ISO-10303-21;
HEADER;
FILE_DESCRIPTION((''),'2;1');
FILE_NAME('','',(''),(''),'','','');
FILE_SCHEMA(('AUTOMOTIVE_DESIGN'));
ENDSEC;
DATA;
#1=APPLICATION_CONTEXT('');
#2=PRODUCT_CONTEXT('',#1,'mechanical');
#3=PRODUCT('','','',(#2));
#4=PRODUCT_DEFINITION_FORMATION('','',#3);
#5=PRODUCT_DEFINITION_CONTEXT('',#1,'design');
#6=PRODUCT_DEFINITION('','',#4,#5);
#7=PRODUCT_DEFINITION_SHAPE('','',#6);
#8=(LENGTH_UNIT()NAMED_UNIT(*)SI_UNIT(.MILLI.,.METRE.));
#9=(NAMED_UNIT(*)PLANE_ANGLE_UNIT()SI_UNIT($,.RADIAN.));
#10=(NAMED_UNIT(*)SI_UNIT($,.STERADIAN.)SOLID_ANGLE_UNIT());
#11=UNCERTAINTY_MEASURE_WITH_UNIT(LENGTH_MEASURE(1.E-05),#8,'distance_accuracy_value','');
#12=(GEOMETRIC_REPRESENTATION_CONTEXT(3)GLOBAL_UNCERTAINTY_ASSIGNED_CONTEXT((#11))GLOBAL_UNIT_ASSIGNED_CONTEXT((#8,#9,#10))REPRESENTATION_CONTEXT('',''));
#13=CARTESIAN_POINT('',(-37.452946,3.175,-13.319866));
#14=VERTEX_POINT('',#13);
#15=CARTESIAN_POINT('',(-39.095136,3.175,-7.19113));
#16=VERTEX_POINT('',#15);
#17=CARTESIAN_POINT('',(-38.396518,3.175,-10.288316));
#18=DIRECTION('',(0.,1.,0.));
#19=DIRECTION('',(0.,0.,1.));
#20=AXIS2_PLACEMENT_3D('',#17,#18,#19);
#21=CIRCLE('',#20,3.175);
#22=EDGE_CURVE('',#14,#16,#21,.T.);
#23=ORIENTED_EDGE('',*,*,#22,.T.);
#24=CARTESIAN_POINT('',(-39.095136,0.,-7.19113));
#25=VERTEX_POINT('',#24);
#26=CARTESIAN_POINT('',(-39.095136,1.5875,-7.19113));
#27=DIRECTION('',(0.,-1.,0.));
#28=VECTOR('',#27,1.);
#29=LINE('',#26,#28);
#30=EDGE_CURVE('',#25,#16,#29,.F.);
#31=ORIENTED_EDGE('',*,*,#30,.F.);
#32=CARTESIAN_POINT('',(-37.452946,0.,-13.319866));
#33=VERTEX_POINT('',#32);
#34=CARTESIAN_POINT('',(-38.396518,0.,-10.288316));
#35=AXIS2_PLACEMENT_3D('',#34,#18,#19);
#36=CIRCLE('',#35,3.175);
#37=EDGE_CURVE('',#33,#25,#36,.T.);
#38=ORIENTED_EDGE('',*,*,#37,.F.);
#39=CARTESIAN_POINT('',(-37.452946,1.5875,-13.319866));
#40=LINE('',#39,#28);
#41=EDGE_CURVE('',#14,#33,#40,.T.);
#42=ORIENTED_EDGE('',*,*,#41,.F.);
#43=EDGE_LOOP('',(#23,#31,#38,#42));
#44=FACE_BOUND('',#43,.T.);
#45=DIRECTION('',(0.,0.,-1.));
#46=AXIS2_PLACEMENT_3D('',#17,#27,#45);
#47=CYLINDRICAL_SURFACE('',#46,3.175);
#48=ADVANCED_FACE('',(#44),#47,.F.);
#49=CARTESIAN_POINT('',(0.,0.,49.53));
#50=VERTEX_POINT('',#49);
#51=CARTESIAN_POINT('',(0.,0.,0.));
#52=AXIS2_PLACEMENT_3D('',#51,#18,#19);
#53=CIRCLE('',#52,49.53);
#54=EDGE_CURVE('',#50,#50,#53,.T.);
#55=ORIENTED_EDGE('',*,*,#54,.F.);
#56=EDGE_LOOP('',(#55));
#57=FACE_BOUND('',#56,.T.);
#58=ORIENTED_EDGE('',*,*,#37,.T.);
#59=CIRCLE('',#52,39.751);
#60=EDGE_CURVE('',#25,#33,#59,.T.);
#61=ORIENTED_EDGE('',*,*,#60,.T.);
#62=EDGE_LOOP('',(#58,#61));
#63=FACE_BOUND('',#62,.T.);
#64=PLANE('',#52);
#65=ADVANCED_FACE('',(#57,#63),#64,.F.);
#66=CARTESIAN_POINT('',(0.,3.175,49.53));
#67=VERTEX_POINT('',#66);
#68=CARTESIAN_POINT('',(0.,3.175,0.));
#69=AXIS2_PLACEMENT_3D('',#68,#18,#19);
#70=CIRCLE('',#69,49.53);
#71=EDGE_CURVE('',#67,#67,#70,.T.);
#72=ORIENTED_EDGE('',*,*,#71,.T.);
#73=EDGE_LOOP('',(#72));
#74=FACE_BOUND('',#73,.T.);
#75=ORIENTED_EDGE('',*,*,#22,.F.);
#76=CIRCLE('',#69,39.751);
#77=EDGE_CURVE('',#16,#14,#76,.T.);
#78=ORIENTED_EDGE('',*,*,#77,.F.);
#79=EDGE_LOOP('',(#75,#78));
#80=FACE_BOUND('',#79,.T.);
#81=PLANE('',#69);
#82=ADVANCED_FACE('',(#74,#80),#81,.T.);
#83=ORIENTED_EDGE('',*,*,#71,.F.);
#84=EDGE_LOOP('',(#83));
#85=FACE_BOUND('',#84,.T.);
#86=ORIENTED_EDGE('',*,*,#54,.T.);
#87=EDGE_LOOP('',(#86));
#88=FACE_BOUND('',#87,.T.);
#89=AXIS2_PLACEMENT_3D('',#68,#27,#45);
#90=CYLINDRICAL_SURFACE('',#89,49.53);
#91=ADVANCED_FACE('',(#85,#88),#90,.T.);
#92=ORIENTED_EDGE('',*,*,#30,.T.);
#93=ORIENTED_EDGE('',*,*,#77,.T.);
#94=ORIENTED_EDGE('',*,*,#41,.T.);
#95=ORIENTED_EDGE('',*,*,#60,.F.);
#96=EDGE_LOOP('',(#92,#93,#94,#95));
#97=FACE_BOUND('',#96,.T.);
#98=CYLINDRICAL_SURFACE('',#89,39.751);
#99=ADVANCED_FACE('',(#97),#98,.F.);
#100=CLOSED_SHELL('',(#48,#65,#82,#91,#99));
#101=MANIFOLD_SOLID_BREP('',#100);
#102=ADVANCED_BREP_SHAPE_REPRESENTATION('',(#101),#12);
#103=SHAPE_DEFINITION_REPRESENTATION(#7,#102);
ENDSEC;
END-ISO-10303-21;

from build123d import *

# Parameters (mm, degrees)
SKETCH2_R           = 49.53
SKETCH2_R_2         = 39.751
BOSS_EXTRUDE1_DEPTH = 3.175
SKETCH3_R           = 3.175
CUT_EXTRUDE1_DEPTH  = 4.175


with BuildPart() as part:
    # Sketch2 → Boss-Extrude1 (new body)
    with BuildSketch(Plane(origin=(0, 0, 0), x_dir=(1, 0, 0), z_dir=(0, 1, 0))):
        Circle(SKETCH2_R)
        Circle(SKETCH2_R_2, mode=Mode.SUBTRACT)
    extrude(amount=BOSS_EXTRUDE1_DEPTH)

    # Sketch3 → Cut-Extrude1 (cut, through all)
    with BuildSketch(Plane(origin=(0, 0, 0), x_dir=(1, 0, 0), z_dir=(0, 1, 0))):
        with Locations((-38.396517521, 10.288315862)):
            Circle(SKETCH3_R)
    extrude(amount=CUT_EXTRUDE1_DEPTH, mode=Mode.SUBTRACT)


solid = part.part
